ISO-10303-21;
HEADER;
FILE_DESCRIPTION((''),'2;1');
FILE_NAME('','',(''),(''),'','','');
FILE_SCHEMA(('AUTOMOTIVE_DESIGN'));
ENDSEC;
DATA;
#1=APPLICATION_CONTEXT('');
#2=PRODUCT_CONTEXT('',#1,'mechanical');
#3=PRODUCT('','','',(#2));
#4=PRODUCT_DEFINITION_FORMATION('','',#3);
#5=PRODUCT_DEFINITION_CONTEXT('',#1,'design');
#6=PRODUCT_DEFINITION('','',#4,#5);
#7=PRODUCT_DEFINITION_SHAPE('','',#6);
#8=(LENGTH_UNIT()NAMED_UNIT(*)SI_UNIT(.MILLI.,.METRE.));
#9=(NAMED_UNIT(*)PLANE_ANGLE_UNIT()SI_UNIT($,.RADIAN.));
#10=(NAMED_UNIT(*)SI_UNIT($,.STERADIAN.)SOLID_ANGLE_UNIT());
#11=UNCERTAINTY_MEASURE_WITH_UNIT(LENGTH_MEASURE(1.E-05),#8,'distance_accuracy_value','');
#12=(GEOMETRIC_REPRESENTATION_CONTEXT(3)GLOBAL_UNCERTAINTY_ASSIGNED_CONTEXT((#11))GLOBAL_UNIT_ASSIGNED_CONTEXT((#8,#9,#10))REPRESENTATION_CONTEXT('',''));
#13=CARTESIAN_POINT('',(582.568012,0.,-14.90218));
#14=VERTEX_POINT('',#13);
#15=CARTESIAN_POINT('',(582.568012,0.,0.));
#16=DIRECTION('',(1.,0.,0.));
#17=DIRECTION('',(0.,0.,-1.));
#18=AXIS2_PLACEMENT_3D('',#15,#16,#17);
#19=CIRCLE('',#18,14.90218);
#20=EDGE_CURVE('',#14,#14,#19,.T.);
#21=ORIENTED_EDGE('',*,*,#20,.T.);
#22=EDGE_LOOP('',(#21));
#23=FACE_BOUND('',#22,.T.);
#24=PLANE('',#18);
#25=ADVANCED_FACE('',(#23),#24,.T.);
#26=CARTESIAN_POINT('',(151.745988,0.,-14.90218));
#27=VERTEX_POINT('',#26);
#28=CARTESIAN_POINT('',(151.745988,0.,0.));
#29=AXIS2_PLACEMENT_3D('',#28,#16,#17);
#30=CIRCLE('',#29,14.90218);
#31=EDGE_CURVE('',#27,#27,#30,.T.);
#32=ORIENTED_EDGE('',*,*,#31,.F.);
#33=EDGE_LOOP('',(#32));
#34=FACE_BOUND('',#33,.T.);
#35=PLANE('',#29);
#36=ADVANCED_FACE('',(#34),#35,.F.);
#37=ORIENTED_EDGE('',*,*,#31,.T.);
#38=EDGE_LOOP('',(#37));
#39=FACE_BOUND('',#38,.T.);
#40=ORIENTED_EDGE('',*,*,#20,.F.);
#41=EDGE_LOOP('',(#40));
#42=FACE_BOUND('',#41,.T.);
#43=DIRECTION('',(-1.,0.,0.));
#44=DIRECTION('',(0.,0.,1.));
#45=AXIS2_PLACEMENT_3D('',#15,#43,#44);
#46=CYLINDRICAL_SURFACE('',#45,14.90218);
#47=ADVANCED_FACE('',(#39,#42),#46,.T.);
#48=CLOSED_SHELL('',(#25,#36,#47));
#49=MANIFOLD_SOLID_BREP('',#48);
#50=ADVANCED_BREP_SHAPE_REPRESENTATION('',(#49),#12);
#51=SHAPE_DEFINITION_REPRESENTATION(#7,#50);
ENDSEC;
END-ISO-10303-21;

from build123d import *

# Parameters (mm, degrees)
SKETCH1_R           = 25.4
BOSS_EXTRUDE1_DEPTH = 734.314
SCALE1_SCALE        = 0.5867


with BuildPart() as part:
    # Sketch1 → Boss-Extrude1 (new body)
    with BuildSketch(Plane(origin=(0, 0, 0), x_dir=(0, 0, -1), z_dir=(1, 0, 0))):
        Circle(SKETCH1_R)
    extrude(amount=BOSS_EXTRUDE1_DEPTH)


with BuildPart() as part_1:
    # Scale1: scaled about (367.157, 0, 0)
    add(part.part.scale(SCALE1_SCALE).moved(Location((151.7459881, 0, 0))))


solid = part_1.part
